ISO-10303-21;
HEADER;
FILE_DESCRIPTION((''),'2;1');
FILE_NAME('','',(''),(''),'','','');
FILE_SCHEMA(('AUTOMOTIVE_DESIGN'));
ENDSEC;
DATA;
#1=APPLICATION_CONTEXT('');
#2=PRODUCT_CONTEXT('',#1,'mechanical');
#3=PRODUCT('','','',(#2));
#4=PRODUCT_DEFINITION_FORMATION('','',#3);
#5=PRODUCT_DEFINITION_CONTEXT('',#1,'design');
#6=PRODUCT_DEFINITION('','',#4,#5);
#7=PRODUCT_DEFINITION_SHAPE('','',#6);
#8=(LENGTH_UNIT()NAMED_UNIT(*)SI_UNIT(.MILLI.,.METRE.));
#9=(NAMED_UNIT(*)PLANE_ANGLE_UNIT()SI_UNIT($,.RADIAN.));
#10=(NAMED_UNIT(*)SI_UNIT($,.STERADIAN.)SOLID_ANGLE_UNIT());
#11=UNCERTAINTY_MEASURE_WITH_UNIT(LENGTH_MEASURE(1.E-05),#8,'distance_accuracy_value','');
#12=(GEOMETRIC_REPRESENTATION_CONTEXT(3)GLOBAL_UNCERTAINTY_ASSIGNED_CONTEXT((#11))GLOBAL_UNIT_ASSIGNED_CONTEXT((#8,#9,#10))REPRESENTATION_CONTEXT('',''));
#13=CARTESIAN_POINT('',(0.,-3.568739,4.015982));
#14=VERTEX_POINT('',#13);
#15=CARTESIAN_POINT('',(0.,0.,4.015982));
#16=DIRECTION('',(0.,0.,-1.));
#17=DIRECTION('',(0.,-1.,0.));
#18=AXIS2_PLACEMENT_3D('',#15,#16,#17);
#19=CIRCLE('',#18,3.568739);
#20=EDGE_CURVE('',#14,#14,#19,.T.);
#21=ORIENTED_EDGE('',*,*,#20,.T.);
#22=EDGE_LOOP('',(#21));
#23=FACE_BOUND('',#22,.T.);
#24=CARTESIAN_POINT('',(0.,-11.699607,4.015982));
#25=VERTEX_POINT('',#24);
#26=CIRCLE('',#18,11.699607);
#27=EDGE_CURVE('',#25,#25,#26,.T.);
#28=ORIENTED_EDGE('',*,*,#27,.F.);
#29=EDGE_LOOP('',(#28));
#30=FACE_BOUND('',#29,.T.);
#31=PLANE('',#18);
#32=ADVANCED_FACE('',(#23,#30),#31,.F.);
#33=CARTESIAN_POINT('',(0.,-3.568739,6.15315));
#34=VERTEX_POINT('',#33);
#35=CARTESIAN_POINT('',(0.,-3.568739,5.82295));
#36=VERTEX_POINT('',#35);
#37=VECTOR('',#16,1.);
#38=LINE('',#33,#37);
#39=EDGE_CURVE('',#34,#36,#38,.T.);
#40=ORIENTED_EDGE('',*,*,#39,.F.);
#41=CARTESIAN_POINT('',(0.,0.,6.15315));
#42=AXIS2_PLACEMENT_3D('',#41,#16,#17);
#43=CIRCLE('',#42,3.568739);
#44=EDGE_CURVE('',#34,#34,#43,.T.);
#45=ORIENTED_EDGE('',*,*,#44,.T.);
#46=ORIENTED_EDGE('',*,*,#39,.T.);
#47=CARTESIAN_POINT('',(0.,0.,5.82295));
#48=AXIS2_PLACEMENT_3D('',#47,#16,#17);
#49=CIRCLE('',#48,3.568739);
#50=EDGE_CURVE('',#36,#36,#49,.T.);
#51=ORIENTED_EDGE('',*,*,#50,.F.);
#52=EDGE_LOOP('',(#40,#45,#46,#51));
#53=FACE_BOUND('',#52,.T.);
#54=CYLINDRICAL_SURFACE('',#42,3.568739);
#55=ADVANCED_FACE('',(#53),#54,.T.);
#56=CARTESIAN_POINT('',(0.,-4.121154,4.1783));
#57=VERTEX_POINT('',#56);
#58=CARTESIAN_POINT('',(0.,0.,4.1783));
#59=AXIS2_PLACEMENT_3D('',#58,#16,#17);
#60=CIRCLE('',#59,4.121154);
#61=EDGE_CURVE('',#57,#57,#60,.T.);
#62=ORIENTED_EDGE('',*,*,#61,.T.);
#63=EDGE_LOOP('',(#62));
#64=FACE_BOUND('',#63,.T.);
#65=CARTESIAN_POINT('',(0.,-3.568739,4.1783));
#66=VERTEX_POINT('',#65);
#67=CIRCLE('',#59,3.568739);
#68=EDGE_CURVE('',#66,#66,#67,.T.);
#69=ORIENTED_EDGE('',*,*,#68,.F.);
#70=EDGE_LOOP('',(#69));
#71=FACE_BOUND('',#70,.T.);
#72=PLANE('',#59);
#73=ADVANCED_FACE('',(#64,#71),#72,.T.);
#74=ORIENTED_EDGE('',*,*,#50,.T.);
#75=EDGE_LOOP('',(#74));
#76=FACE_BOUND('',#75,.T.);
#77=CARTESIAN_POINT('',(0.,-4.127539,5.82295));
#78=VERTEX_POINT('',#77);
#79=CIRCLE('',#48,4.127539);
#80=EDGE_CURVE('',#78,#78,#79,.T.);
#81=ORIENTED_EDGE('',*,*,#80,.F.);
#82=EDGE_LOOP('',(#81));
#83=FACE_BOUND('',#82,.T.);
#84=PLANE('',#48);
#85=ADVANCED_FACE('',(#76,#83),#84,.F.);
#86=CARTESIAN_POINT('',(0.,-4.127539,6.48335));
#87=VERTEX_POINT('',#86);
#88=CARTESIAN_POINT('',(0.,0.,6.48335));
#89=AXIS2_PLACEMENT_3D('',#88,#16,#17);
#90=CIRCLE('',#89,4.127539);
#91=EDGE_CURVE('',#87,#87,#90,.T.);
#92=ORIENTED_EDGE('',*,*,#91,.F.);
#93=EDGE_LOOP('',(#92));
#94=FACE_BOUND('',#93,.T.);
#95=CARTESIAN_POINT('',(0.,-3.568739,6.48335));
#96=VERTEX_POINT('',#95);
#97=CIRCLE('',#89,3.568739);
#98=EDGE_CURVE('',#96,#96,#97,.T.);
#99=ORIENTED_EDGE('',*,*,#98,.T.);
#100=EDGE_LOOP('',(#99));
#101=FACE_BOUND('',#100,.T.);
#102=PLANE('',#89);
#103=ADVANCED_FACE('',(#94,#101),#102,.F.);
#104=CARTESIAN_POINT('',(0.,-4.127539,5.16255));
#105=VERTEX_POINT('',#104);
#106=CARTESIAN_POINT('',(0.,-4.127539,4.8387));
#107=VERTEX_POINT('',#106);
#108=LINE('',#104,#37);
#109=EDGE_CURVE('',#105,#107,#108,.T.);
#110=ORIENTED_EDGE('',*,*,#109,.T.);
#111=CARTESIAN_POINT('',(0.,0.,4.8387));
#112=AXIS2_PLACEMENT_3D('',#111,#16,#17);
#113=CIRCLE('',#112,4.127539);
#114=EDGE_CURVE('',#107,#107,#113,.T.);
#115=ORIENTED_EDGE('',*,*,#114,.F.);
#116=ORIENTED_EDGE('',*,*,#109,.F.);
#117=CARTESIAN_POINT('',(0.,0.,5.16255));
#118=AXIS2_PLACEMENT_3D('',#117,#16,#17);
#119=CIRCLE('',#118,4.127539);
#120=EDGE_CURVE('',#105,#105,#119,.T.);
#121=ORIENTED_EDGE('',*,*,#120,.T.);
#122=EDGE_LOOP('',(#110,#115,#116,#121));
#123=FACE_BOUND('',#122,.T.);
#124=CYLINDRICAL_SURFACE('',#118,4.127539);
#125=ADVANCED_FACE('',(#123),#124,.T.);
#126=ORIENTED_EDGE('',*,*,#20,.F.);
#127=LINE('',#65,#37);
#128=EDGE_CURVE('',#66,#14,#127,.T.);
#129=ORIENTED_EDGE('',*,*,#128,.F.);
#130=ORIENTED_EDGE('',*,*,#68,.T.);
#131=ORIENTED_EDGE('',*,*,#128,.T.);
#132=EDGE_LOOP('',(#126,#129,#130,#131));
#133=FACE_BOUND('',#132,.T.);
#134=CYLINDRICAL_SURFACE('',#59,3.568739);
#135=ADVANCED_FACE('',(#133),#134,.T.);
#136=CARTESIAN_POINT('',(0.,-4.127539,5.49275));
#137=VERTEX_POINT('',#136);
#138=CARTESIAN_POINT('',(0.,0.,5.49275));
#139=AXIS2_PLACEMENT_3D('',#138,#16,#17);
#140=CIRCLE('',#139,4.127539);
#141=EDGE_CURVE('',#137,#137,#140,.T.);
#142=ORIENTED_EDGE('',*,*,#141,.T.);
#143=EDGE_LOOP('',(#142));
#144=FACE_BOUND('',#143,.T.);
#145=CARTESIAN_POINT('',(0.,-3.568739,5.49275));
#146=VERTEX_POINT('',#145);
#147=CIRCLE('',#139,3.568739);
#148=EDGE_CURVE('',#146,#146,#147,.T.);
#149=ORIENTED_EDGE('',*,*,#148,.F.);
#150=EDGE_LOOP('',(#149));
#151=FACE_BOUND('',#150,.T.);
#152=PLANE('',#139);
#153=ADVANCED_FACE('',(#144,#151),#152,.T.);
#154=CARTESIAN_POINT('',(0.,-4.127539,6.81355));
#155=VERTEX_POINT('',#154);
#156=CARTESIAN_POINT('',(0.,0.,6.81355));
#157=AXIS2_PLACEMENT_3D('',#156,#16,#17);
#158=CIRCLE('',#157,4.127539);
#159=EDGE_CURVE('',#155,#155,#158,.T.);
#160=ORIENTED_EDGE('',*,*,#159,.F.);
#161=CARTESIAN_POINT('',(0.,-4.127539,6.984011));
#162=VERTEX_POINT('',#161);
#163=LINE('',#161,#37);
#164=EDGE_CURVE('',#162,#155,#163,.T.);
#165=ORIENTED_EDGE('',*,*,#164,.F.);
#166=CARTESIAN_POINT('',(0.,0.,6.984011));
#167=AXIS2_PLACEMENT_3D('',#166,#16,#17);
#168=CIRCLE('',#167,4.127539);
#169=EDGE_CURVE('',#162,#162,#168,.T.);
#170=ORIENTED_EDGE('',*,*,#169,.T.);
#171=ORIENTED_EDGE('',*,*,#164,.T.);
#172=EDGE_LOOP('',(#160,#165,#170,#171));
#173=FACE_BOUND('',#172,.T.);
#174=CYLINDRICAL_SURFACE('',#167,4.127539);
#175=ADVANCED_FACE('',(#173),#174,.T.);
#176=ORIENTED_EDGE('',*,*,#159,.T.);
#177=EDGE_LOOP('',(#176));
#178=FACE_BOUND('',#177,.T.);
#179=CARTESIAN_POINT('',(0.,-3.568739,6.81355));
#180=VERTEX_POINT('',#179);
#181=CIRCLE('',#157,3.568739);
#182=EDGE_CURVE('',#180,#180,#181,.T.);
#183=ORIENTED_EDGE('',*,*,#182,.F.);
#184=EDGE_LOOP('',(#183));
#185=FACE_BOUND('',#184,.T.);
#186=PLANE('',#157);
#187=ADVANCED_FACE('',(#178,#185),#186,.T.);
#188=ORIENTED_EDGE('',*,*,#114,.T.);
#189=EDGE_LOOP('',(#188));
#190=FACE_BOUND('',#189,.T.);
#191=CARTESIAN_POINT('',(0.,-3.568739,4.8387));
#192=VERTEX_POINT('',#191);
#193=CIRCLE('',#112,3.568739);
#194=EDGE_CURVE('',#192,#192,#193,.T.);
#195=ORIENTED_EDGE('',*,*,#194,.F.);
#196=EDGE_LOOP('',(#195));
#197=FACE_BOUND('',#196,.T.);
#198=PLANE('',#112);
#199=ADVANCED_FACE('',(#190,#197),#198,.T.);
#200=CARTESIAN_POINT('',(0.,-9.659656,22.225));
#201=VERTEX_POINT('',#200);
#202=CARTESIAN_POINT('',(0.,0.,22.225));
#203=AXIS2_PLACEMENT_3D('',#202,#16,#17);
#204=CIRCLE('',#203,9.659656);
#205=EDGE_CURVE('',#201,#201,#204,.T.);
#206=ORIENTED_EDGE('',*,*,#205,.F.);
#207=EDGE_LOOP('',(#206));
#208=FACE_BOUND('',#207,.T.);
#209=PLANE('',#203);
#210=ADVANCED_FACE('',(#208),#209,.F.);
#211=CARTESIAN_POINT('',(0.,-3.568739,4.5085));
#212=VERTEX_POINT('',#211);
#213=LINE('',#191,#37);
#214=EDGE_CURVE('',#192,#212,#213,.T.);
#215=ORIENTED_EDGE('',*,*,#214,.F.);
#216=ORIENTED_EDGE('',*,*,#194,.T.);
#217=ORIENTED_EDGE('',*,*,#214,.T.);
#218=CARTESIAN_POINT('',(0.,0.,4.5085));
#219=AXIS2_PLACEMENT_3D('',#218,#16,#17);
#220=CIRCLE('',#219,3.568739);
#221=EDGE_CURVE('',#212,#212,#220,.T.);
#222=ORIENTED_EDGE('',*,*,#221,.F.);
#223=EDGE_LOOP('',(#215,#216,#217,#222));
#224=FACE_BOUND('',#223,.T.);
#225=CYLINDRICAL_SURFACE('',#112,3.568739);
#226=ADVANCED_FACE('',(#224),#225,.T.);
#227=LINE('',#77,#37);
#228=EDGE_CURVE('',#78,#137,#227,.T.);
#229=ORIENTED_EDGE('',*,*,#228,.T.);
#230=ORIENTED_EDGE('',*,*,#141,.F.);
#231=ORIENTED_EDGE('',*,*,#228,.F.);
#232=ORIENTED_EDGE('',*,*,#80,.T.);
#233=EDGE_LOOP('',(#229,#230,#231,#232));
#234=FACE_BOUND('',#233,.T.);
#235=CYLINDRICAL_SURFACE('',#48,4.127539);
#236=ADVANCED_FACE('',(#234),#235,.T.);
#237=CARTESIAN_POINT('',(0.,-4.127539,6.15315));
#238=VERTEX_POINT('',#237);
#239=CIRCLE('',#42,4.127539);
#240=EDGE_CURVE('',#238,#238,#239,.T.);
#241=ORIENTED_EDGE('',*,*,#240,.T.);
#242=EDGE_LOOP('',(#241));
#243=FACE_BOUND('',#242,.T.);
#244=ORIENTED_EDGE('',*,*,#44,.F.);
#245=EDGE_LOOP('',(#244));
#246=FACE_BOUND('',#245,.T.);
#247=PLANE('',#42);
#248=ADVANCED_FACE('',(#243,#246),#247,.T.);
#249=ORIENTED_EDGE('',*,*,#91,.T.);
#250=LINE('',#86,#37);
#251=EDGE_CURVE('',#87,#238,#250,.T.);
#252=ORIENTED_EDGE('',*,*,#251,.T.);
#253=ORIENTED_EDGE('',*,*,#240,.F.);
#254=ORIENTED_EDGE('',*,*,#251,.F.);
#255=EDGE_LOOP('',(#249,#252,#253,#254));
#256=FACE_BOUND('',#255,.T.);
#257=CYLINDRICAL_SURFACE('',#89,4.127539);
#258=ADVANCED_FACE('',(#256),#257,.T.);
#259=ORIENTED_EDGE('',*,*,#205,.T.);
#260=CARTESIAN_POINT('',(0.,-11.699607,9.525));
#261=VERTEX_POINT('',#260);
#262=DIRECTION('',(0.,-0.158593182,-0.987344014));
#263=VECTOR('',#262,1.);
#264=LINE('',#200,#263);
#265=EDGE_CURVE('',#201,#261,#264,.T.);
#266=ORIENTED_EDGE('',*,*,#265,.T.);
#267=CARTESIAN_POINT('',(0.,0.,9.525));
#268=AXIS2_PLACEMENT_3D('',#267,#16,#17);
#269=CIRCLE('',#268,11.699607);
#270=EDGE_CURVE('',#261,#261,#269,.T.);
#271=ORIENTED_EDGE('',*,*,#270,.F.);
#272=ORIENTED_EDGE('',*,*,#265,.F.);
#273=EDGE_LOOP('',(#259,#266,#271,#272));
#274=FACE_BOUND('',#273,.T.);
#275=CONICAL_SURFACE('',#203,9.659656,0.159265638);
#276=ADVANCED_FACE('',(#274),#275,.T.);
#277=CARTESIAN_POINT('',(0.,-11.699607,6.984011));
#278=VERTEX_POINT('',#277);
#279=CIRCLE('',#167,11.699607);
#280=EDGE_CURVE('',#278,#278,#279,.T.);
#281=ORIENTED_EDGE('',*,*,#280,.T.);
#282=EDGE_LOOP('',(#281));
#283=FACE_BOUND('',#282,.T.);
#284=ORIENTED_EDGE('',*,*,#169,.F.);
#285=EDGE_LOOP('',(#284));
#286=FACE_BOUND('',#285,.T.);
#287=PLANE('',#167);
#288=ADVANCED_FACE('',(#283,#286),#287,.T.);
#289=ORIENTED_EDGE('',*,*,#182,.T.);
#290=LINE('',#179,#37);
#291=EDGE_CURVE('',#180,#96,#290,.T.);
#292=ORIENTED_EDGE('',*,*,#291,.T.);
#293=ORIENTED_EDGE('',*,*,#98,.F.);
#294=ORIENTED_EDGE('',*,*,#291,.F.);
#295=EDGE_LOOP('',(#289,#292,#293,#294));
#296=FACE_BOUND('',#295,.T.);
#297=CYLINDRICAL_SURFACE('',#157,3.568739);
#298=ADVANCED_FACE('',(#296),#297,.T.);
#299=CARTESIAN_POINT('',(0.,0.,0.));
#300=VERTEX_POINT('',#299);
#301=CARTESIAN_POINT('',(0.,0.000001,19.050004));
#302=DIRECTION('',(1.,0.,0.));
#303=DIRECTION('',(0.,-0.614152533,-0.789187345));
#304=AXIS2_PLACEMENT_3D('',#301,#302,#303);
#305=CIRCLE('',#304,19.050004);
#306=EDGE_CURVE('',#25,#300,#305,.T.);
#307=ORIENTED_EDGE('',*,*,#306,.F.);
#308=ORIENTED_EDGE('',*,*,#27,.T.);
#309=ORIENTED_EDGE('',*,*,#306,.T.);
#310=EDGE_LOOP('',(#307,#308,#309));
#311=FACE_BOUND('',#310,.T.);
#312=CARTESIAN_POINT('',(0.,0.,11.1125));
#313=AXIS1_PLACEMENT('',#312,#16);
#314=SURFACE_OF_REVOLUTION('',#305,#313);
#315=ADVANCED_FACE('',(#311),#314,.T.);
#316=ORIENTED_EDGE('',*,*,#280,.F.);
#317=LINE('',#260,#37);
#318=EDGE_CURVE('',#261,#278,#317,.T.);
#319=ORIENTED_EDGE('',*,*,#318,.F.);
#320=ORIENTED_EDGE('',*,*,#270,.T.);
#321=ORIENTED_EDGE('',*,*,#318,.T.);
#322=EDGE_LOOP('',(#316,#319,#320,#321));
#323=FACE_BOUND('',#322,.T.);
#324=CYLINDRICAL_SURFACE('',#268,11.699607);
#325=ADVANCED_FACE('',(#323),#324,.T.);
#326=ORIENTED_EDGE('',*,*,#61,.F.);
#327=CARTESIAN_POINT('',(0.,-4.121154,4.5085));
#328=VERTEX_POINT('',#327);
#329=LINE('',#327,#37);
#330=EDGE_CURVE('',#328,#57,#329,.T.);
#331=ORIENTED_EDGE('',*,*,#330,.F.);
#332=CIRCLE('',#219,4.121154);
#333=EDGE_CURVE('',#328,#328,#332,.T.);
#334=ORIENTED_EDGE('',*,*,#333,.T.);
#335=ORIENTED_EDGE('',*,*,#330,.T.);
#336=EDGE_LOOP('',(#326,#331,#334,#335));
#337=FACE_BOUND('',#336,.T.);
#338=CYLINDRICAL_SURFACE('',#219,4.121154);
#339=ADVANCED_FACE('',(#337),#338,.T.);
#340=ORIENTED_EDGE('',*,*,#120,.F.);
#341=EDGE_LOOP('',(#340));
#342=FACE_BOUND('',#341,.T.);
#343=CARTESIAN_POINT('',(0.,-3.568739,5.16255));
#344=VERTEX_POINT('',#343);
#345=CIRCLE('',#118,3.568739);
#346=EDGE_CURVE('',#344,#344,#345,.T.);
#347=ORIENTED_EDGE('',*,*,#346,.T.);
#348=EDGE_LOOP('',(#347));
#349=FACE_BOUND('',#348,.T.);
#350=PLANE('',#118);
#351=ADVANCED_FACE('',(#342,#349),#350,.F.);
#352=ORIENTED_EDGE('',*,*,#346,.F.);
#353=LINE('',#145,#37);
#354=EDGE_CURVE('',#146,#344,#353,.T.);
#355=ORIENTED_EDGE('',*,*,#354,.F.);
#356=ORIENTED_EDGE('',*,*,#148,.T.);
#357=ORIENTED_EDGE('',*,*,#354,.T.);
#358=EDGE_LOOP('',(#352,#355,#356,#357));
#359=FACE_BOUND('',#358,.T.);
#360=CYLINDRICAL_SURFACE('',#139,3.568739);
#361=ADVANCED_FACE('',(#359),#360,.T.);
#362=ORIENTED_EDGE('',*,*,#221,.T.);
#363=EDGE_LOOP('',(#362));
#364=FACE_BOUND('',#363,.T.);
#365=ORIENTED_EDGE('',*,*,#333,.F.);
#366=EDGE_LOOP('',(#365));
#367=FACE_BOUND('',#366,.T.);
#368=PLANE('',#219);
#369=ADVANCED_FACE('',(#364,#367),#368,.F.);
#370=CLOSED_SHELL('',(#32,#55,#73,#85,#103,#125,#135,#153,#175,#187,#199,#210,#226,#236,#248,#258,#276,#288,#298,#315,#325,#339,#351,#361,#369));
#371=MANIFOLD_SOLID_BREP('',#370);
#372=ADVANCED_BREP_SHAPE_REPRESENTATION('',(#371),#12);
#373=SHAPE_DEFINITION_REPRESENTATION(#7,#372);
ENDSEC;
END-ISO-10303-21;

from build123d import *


with BuildPart() as f1:
    # F0 (on Right) → F1 (revolve)
    with BuildSketch(Plane.YZ):
        with BuildLine():
            ThreePointArc((-11.699607, 4.015982), (-6.184838, 1.031946), (0, 0))
            Line((0, 0), (0, 4.7625))
            Line((0, 4.7625), (0, 9.525))
            Line((0, 9.525), (0, 19.05))
            Line((0, 19.05), (0, 22.225))
            Line((0, 22.225), (-9.659656, 22.225))
            Line((-9.659656, 22.225), (-11.699607, 9.525))
            Line((-11.699607, 9.525), (-11.699607, 6.984011))
            Line((-11.699607, 6.984011), (-4.127539, 6.984011))
            Line((-4.127539, 6.984011), (-4.127539, 6.81355))
            Line((-4.127539, 6.81355), (-3.568739, 6.81355))
            Line((-3.568739, 6.81355), (-3.568739, 6.48335))
            Line((-3.568739, 6.48335), (-4.127539, 6.48335))
            Line((-4.127539, 6.48335), (-4.127539, 6.15315))
            Line((-4.127539, 6.15315), (-3.568739, 6.15315))
            Line((-3.568739, 6.15315), (-3.568739, 5.82295))
            Line((-3.568739, 5.82295), (-4.127539, 5.82295))
            Line((-4.127539, 5.82295), (-4.127539, 5.49275))
            Line((-4.127539, 5.49275), (-3.568739, 5.49275))
            Line((-3.568739, 5.49275), (-3.568739, 5.16255))
            Line((-3.568739, 5.16255), (-4.127539, 5.16255))
            Line((-4.127539, 5.16255), (-4.127539, 4.8387))
            Line((-4.127539, 4.8387), (-3.568739, 4.8387))
            Line((-3.568739, 4.8387), (-3.568739, 4.5085))
            Line((-3.568739, 4.5085), (-4.121154, 4.5085))
            Line((-4.121154, 4.5085), (-4.121154, 4.1783))
            Line((-4.121154, 4.1783), (-3.568739, 4.1783))
            Line((-3.568739, 4.1783), (-3.568739, 4.015982))
            Line((-3.568739, 4.015982), (-11.699607, 4.015982))
        make_face()
    revolve(axis=Axis((0, 0, 11.1125), (0, 0, -1)))


solid = f1.part
